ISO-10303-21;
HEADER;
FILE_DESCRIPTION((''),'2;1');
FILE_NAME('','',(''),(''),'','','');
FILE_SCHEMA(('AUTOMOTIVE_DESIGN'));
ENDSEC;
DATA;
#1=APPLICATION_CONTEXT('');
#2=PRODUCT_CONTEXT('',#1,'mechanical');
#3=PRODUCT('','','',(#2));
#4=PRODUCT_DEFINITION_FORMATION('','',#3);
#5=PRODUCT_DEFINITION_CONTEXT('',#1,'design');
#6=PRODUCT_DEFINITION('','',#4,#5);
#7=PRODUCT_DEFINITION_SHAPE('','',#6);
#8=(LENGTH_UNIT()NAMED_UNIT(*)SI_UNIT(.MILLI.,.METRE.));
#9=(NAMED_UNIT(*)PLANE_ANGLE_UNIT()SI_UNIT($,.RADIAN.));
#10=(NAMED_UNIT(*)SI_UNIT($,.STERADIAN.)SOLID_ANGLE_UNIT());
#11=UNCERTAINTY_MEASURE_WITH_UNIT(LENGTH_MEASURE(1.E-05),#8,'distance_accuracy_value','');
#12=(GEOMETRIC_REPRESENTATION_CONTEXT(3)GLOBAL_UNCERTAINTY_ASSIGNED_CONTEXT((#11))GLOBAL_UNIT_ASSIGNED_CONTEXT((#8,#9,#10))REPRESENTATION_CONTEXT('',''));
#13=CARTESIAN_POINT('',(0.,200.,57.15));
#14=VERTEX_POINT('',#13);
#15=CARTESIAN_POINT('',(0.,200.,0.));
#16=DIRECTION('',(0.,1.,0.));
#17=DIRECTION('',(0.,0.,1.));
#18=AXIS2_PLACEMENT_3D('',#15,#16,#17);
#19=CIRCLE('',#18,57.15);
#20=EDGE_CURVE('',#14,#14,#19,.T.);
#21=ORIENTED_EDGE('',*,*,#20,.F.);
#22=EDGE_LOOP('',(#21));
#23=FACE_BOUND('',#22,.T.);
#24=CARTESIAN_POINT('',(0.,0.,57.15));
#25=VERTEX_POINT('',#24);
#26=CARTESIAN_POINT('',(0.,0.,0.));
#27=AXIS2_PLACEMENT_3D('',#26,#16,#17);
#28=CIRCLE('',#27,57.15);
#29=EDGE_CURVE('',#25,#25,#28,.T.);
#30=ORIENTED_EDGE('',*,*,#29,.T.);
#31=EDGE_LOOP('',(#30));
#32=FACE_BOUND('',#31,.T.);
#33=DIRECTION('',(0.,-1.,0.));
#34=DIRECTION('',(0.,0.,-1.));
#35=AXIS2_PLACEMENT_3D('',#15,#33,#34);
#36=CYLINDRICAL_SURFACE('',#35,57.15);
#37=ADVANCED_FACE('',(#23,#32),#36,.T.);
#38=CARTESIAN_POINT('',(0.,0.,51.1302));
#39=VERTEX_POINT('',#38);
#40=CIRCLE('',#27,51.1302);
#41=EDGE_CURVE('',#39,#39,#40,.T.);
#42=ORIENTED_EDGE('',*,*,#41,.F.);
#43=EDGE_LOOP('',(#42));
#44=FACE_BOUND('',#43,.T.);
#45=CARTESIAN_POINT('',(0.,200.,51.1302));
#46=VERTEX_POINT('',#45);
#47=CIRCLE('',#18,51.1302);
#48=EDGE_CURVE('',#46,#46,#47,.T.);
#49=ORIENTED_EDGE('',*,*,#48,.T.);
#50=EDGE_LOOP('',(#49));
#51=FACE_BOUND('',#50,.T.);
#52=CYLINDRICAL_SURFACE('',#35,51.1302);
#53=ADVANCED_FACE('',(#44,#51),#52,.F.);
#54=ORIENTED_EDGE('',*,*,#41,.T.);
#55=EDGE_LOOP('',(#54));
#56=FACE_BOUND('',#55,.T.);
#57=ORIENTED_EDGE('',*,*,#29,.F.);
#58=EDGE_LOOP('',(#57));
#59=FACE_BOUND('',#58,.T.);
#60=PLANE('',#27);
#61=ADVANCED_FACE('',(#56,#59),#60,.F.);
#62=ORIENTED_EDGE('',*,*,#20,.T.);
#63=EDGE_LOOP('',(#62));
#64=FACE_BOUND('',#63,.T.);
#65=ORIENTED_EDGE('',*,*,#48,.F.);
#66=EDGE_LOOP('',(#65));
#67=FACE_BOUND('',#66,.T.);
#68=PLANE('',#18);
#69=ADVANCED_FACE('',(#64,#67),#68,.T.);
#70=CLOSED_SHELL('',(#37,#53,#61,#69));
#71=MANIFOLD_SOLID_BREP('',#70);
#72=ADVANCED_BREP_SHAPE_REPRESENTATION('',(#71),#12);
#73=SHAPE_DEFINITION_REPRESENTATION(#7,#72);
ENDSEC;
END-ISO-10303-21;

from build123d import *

# Parameters (mm, degrees)
SKETCH13_R                                   = 57.15
SKETCH13_R_2                                 = 51.1302
RURA_GRUBO_CIENNA_STANDARDOWA_S40_PIPE_DEPTH = 200


with BuildPart() as part:
    # Sketch13 → Rura grubościenna; standardowa s40 PIPE 4 SCH 40(1) (new body)
    with BuildSketch(Plane(origin=(0, 0, 0), x_dir=(1, 0, 0), z_dir=(0, 1, 0))):
        Circle(SKETCH13_R)
        Circle(SKETCH13_R_2, mode=Mode.SUBTRACT)
    extrude(amount=RURA_GRUBO_CIENNA_STANDARDOWA_S40_PIPE_DEPTH)


solid = part.part
